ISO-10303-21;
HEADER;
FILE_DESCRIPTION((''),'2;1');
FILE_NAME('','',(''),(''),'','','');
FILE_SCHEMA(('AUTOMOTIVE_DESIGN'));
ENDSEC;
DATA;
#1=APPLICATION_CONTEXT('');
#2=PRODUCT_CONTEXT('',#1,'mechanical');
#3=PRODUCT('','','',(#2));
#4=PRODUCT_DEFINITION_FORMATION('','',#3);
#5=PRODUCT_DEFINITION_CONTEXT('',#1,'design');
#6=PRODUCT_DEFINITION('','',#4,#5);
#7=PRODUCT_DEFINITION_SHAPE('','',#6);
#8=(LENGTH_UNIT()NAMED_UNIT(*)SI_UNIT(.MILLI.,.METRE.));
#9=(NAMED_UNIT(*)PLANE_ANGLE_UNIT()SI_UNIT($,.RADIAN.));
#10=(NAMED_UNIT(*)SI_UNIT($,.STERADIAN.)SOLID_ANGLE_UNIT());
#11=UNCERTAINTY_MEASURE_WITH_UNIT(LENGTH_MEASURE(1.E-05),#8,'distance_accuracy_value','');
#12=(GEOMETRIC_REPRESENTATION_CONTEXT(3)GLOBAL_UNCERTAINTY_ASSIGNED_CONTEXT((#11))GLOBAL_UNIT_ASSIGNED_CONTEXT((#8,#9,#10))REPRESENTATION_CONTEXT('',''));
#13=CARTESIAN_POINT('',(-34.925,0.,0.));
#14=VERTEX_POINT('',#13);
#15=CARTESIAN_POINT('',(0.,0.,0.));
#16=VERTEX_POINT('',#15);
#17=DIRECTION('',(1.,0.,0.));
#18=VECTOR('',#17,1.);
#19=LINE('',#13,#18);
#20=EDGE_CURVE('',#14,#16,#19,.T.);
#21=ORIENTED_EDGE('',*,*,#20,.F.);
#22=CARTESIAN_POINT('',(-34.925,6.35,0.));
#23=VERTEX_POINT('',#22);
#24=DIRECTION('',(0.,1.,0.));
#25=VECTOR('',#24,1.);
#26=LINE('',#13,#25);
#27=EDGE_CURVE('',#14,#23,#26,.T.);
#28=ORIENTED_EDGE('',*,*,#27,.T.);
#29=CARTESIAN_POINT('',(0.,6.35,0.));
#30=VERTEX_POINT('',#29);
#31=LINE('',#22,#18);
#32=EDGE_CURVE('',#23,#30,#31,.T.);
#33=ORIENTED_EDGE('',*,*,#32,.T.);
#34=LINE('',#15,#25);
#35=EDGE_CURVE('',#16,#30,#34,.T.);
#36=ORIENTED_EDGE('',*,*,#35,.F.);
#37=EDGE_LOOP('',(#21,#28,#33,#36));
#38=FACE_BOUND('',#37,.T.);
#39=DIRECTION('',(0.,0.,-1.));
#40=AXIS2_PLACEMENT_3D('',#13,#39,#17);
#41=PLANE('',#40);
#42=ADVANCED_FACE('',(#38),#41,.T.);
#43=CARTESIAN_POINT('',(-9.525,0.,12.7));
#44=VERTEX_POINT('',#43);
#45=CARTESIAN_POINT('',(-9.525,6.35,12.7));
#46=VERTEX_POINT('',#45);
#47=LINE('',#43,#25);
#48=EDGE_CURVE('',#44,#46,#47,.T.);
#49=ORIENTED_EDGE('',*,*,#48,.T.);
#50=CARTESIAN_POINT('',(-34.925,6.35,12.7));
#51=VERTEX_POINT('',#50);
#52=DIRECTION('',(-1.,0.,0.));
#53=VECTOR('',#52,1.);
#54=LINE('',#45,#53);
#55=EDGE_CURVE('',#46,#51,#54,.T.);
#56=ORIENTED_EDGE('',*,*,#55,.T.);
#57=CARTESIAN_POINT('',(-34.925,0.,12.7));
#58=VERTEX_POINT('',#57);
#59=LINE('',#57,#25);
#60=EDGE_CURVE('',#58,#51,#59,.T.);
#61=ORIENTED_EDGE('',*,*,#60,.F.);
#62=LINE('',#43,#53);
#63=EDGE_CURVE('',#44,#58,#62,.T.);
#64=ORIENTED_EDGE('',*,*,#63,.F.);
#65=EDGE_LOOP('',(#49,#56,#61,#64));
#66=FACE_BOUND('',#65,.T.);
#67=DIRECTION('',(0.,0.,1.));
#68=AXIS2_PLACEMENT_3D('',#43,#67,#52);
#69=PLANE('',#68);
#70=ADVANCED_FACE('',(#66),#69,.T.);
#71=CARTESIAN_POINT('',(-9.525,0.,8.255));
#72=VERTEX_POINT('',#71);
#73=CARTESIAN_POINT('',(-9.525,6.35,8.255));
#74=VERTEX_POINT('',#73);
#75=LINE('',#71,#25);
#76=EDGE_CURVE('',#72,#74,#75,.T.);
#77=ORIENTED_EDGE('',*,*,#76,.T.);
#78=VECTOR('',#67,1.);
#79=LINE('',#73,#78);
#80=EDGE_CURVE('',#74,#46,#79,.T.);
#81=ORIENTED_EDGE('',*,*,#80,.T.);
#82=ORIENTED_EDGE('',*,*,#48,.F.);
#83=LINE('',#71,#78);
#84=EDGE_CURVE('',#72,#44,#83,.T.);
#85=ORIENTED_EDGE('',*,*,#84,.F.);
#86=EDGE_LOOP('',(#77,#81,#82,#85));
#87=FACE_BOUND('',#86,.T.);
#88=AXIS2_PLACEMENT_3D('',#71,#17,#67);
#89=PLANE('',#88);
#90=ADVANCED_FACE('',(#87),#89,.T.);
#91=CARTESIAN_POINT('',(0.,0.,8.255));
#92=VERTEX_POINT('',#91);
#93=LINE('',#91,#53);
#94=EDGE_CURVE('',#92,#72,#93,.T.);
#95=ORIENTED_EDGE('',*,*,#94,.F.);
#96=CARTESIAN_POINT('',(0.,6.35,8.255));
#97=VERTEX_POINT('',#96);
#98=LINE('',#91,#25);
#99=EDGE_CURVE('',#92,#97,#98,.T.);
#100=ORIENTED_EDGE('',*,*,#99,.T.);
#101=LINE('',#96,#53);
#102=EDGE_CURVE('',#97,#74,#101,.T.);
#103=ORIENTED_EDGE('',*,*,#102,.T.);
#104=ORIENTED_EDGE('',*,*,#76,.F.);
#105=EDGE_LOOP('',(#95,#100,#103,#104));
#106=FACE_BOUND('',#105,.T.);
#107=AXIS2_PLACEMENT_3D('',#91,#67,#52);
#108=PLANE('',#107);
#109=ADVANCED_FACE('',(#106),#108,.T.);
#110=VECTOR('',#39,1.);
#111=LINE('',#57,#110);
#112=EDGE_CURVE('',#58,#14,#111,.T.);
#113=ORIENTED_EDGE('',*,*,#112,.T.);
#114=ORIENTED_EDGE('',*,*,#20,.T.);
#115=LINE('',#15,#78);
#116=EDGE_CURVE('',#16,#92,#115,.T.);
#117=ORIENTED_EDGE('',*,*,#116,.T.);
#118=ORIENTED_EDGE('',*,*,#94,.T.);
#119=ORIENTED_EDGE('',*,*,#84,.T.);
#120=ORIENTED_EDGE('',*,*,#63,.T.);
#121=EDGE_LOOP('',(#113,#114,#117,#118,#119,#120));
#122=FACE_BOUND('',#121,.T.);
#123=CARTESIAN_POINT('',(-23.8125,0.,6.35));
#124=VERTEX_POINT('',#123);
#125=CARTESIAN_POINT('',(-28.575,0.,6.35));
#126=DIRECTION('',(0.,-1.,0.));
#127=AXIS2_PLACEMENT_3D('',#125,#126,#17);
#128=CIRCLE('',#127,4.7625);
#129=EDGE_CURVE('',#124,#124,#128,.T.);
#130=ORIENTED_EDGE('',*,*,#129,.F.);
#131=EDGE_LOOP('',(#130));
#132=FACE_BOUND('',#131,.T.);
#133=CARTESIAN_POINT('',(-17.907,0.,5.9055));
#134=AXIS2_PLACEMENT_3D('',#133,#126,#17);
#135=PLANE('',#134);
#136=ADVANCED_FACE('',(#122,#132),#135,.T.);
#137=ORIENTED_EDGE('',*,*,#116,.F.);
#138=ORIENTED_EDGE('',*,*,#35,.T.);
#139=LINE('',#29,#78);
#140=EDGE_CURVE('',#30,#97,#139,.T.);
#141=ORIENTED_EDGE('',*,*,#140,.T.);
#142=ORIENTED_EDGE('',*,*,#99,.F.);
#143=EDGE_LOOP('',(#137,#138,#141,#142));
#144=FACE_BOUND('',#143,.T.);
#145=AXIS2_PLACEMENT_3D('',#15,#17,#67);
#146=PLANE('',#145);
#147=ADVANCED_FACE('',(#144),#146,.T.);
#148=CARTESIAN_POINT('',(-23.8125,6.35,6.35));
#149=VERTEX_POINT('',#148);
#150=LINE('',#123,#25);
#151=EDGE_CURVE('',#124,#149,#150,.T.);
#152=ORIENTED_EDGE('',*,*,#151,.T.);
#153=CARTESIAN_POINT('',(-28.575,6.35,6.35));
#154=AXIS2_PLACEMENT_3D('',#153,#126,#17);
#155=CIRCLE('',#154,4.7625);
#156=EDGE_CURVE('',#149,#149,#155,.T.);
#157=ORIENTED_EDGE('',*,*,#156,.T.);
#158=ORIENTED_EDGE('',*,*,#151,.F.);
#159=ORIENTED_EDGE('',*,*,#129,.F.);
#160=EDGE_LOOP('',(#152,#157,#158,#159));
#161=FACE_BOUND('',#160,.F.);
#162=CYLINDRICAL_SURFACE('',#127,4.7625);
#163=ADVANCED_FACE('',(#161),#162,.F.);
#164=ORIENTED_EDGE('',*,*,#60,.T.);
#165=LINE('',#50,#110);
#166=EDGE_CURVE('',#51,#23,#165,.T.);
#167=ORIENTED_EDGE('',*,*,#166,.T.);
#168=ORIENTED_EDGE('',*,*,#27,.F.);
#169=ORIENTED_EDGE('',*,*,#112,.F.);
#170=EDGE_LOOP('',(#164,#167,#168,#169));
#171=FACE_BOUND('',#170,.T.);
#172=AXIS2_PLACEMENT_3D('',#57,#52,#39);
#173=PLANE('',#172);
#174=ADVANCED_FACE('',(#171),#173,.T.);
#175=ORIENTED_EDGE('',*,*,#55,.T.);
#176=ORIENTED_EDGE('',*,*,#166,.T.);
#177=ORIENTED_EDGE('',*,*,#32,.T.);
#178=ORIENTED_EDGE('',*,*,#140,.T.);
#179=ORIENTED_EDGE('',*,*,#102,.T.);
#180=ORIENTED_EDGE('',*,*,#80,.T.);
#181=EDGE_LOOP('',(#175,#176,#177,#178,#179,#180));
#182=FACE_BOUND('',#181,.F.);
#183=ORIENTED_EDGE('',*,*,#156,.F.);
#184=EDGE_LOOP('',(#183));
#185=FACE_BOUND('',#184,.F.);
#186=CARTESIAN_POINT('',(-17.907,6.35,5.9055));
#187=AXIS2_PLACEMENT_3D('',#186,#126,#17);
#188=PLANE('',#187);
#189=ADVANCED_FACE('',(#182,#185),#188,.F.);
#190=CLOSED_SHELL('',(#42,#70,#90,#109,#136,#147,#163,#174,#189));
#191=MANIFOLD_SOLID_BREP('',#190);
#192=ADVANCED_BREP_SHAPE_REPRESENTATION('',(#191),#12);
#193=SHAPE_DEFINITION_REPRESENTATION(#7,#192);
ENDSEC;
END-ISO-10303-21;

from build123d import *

# Parameters (mm, degrees)
F0_R     = 4.7625
F1_DEPTH = 6.35


with BuildPart() as f1:
    # F0 (on Front) → F1 (new body)
    with BuildSketch(Plane.XZ):
        Polygon((-34.925, 0), (0, 0), (0, 8.255), (-9.525, 8.255), (-9.525, 12.7), (-34.925, 12.7), align=None)
        with Locations((-28.575, 6.35)):
            Circle(F0_R, mode=Mode.SUBTRACT)
    extrude(amount=-F1_DEPTH)


solid = f1.part
